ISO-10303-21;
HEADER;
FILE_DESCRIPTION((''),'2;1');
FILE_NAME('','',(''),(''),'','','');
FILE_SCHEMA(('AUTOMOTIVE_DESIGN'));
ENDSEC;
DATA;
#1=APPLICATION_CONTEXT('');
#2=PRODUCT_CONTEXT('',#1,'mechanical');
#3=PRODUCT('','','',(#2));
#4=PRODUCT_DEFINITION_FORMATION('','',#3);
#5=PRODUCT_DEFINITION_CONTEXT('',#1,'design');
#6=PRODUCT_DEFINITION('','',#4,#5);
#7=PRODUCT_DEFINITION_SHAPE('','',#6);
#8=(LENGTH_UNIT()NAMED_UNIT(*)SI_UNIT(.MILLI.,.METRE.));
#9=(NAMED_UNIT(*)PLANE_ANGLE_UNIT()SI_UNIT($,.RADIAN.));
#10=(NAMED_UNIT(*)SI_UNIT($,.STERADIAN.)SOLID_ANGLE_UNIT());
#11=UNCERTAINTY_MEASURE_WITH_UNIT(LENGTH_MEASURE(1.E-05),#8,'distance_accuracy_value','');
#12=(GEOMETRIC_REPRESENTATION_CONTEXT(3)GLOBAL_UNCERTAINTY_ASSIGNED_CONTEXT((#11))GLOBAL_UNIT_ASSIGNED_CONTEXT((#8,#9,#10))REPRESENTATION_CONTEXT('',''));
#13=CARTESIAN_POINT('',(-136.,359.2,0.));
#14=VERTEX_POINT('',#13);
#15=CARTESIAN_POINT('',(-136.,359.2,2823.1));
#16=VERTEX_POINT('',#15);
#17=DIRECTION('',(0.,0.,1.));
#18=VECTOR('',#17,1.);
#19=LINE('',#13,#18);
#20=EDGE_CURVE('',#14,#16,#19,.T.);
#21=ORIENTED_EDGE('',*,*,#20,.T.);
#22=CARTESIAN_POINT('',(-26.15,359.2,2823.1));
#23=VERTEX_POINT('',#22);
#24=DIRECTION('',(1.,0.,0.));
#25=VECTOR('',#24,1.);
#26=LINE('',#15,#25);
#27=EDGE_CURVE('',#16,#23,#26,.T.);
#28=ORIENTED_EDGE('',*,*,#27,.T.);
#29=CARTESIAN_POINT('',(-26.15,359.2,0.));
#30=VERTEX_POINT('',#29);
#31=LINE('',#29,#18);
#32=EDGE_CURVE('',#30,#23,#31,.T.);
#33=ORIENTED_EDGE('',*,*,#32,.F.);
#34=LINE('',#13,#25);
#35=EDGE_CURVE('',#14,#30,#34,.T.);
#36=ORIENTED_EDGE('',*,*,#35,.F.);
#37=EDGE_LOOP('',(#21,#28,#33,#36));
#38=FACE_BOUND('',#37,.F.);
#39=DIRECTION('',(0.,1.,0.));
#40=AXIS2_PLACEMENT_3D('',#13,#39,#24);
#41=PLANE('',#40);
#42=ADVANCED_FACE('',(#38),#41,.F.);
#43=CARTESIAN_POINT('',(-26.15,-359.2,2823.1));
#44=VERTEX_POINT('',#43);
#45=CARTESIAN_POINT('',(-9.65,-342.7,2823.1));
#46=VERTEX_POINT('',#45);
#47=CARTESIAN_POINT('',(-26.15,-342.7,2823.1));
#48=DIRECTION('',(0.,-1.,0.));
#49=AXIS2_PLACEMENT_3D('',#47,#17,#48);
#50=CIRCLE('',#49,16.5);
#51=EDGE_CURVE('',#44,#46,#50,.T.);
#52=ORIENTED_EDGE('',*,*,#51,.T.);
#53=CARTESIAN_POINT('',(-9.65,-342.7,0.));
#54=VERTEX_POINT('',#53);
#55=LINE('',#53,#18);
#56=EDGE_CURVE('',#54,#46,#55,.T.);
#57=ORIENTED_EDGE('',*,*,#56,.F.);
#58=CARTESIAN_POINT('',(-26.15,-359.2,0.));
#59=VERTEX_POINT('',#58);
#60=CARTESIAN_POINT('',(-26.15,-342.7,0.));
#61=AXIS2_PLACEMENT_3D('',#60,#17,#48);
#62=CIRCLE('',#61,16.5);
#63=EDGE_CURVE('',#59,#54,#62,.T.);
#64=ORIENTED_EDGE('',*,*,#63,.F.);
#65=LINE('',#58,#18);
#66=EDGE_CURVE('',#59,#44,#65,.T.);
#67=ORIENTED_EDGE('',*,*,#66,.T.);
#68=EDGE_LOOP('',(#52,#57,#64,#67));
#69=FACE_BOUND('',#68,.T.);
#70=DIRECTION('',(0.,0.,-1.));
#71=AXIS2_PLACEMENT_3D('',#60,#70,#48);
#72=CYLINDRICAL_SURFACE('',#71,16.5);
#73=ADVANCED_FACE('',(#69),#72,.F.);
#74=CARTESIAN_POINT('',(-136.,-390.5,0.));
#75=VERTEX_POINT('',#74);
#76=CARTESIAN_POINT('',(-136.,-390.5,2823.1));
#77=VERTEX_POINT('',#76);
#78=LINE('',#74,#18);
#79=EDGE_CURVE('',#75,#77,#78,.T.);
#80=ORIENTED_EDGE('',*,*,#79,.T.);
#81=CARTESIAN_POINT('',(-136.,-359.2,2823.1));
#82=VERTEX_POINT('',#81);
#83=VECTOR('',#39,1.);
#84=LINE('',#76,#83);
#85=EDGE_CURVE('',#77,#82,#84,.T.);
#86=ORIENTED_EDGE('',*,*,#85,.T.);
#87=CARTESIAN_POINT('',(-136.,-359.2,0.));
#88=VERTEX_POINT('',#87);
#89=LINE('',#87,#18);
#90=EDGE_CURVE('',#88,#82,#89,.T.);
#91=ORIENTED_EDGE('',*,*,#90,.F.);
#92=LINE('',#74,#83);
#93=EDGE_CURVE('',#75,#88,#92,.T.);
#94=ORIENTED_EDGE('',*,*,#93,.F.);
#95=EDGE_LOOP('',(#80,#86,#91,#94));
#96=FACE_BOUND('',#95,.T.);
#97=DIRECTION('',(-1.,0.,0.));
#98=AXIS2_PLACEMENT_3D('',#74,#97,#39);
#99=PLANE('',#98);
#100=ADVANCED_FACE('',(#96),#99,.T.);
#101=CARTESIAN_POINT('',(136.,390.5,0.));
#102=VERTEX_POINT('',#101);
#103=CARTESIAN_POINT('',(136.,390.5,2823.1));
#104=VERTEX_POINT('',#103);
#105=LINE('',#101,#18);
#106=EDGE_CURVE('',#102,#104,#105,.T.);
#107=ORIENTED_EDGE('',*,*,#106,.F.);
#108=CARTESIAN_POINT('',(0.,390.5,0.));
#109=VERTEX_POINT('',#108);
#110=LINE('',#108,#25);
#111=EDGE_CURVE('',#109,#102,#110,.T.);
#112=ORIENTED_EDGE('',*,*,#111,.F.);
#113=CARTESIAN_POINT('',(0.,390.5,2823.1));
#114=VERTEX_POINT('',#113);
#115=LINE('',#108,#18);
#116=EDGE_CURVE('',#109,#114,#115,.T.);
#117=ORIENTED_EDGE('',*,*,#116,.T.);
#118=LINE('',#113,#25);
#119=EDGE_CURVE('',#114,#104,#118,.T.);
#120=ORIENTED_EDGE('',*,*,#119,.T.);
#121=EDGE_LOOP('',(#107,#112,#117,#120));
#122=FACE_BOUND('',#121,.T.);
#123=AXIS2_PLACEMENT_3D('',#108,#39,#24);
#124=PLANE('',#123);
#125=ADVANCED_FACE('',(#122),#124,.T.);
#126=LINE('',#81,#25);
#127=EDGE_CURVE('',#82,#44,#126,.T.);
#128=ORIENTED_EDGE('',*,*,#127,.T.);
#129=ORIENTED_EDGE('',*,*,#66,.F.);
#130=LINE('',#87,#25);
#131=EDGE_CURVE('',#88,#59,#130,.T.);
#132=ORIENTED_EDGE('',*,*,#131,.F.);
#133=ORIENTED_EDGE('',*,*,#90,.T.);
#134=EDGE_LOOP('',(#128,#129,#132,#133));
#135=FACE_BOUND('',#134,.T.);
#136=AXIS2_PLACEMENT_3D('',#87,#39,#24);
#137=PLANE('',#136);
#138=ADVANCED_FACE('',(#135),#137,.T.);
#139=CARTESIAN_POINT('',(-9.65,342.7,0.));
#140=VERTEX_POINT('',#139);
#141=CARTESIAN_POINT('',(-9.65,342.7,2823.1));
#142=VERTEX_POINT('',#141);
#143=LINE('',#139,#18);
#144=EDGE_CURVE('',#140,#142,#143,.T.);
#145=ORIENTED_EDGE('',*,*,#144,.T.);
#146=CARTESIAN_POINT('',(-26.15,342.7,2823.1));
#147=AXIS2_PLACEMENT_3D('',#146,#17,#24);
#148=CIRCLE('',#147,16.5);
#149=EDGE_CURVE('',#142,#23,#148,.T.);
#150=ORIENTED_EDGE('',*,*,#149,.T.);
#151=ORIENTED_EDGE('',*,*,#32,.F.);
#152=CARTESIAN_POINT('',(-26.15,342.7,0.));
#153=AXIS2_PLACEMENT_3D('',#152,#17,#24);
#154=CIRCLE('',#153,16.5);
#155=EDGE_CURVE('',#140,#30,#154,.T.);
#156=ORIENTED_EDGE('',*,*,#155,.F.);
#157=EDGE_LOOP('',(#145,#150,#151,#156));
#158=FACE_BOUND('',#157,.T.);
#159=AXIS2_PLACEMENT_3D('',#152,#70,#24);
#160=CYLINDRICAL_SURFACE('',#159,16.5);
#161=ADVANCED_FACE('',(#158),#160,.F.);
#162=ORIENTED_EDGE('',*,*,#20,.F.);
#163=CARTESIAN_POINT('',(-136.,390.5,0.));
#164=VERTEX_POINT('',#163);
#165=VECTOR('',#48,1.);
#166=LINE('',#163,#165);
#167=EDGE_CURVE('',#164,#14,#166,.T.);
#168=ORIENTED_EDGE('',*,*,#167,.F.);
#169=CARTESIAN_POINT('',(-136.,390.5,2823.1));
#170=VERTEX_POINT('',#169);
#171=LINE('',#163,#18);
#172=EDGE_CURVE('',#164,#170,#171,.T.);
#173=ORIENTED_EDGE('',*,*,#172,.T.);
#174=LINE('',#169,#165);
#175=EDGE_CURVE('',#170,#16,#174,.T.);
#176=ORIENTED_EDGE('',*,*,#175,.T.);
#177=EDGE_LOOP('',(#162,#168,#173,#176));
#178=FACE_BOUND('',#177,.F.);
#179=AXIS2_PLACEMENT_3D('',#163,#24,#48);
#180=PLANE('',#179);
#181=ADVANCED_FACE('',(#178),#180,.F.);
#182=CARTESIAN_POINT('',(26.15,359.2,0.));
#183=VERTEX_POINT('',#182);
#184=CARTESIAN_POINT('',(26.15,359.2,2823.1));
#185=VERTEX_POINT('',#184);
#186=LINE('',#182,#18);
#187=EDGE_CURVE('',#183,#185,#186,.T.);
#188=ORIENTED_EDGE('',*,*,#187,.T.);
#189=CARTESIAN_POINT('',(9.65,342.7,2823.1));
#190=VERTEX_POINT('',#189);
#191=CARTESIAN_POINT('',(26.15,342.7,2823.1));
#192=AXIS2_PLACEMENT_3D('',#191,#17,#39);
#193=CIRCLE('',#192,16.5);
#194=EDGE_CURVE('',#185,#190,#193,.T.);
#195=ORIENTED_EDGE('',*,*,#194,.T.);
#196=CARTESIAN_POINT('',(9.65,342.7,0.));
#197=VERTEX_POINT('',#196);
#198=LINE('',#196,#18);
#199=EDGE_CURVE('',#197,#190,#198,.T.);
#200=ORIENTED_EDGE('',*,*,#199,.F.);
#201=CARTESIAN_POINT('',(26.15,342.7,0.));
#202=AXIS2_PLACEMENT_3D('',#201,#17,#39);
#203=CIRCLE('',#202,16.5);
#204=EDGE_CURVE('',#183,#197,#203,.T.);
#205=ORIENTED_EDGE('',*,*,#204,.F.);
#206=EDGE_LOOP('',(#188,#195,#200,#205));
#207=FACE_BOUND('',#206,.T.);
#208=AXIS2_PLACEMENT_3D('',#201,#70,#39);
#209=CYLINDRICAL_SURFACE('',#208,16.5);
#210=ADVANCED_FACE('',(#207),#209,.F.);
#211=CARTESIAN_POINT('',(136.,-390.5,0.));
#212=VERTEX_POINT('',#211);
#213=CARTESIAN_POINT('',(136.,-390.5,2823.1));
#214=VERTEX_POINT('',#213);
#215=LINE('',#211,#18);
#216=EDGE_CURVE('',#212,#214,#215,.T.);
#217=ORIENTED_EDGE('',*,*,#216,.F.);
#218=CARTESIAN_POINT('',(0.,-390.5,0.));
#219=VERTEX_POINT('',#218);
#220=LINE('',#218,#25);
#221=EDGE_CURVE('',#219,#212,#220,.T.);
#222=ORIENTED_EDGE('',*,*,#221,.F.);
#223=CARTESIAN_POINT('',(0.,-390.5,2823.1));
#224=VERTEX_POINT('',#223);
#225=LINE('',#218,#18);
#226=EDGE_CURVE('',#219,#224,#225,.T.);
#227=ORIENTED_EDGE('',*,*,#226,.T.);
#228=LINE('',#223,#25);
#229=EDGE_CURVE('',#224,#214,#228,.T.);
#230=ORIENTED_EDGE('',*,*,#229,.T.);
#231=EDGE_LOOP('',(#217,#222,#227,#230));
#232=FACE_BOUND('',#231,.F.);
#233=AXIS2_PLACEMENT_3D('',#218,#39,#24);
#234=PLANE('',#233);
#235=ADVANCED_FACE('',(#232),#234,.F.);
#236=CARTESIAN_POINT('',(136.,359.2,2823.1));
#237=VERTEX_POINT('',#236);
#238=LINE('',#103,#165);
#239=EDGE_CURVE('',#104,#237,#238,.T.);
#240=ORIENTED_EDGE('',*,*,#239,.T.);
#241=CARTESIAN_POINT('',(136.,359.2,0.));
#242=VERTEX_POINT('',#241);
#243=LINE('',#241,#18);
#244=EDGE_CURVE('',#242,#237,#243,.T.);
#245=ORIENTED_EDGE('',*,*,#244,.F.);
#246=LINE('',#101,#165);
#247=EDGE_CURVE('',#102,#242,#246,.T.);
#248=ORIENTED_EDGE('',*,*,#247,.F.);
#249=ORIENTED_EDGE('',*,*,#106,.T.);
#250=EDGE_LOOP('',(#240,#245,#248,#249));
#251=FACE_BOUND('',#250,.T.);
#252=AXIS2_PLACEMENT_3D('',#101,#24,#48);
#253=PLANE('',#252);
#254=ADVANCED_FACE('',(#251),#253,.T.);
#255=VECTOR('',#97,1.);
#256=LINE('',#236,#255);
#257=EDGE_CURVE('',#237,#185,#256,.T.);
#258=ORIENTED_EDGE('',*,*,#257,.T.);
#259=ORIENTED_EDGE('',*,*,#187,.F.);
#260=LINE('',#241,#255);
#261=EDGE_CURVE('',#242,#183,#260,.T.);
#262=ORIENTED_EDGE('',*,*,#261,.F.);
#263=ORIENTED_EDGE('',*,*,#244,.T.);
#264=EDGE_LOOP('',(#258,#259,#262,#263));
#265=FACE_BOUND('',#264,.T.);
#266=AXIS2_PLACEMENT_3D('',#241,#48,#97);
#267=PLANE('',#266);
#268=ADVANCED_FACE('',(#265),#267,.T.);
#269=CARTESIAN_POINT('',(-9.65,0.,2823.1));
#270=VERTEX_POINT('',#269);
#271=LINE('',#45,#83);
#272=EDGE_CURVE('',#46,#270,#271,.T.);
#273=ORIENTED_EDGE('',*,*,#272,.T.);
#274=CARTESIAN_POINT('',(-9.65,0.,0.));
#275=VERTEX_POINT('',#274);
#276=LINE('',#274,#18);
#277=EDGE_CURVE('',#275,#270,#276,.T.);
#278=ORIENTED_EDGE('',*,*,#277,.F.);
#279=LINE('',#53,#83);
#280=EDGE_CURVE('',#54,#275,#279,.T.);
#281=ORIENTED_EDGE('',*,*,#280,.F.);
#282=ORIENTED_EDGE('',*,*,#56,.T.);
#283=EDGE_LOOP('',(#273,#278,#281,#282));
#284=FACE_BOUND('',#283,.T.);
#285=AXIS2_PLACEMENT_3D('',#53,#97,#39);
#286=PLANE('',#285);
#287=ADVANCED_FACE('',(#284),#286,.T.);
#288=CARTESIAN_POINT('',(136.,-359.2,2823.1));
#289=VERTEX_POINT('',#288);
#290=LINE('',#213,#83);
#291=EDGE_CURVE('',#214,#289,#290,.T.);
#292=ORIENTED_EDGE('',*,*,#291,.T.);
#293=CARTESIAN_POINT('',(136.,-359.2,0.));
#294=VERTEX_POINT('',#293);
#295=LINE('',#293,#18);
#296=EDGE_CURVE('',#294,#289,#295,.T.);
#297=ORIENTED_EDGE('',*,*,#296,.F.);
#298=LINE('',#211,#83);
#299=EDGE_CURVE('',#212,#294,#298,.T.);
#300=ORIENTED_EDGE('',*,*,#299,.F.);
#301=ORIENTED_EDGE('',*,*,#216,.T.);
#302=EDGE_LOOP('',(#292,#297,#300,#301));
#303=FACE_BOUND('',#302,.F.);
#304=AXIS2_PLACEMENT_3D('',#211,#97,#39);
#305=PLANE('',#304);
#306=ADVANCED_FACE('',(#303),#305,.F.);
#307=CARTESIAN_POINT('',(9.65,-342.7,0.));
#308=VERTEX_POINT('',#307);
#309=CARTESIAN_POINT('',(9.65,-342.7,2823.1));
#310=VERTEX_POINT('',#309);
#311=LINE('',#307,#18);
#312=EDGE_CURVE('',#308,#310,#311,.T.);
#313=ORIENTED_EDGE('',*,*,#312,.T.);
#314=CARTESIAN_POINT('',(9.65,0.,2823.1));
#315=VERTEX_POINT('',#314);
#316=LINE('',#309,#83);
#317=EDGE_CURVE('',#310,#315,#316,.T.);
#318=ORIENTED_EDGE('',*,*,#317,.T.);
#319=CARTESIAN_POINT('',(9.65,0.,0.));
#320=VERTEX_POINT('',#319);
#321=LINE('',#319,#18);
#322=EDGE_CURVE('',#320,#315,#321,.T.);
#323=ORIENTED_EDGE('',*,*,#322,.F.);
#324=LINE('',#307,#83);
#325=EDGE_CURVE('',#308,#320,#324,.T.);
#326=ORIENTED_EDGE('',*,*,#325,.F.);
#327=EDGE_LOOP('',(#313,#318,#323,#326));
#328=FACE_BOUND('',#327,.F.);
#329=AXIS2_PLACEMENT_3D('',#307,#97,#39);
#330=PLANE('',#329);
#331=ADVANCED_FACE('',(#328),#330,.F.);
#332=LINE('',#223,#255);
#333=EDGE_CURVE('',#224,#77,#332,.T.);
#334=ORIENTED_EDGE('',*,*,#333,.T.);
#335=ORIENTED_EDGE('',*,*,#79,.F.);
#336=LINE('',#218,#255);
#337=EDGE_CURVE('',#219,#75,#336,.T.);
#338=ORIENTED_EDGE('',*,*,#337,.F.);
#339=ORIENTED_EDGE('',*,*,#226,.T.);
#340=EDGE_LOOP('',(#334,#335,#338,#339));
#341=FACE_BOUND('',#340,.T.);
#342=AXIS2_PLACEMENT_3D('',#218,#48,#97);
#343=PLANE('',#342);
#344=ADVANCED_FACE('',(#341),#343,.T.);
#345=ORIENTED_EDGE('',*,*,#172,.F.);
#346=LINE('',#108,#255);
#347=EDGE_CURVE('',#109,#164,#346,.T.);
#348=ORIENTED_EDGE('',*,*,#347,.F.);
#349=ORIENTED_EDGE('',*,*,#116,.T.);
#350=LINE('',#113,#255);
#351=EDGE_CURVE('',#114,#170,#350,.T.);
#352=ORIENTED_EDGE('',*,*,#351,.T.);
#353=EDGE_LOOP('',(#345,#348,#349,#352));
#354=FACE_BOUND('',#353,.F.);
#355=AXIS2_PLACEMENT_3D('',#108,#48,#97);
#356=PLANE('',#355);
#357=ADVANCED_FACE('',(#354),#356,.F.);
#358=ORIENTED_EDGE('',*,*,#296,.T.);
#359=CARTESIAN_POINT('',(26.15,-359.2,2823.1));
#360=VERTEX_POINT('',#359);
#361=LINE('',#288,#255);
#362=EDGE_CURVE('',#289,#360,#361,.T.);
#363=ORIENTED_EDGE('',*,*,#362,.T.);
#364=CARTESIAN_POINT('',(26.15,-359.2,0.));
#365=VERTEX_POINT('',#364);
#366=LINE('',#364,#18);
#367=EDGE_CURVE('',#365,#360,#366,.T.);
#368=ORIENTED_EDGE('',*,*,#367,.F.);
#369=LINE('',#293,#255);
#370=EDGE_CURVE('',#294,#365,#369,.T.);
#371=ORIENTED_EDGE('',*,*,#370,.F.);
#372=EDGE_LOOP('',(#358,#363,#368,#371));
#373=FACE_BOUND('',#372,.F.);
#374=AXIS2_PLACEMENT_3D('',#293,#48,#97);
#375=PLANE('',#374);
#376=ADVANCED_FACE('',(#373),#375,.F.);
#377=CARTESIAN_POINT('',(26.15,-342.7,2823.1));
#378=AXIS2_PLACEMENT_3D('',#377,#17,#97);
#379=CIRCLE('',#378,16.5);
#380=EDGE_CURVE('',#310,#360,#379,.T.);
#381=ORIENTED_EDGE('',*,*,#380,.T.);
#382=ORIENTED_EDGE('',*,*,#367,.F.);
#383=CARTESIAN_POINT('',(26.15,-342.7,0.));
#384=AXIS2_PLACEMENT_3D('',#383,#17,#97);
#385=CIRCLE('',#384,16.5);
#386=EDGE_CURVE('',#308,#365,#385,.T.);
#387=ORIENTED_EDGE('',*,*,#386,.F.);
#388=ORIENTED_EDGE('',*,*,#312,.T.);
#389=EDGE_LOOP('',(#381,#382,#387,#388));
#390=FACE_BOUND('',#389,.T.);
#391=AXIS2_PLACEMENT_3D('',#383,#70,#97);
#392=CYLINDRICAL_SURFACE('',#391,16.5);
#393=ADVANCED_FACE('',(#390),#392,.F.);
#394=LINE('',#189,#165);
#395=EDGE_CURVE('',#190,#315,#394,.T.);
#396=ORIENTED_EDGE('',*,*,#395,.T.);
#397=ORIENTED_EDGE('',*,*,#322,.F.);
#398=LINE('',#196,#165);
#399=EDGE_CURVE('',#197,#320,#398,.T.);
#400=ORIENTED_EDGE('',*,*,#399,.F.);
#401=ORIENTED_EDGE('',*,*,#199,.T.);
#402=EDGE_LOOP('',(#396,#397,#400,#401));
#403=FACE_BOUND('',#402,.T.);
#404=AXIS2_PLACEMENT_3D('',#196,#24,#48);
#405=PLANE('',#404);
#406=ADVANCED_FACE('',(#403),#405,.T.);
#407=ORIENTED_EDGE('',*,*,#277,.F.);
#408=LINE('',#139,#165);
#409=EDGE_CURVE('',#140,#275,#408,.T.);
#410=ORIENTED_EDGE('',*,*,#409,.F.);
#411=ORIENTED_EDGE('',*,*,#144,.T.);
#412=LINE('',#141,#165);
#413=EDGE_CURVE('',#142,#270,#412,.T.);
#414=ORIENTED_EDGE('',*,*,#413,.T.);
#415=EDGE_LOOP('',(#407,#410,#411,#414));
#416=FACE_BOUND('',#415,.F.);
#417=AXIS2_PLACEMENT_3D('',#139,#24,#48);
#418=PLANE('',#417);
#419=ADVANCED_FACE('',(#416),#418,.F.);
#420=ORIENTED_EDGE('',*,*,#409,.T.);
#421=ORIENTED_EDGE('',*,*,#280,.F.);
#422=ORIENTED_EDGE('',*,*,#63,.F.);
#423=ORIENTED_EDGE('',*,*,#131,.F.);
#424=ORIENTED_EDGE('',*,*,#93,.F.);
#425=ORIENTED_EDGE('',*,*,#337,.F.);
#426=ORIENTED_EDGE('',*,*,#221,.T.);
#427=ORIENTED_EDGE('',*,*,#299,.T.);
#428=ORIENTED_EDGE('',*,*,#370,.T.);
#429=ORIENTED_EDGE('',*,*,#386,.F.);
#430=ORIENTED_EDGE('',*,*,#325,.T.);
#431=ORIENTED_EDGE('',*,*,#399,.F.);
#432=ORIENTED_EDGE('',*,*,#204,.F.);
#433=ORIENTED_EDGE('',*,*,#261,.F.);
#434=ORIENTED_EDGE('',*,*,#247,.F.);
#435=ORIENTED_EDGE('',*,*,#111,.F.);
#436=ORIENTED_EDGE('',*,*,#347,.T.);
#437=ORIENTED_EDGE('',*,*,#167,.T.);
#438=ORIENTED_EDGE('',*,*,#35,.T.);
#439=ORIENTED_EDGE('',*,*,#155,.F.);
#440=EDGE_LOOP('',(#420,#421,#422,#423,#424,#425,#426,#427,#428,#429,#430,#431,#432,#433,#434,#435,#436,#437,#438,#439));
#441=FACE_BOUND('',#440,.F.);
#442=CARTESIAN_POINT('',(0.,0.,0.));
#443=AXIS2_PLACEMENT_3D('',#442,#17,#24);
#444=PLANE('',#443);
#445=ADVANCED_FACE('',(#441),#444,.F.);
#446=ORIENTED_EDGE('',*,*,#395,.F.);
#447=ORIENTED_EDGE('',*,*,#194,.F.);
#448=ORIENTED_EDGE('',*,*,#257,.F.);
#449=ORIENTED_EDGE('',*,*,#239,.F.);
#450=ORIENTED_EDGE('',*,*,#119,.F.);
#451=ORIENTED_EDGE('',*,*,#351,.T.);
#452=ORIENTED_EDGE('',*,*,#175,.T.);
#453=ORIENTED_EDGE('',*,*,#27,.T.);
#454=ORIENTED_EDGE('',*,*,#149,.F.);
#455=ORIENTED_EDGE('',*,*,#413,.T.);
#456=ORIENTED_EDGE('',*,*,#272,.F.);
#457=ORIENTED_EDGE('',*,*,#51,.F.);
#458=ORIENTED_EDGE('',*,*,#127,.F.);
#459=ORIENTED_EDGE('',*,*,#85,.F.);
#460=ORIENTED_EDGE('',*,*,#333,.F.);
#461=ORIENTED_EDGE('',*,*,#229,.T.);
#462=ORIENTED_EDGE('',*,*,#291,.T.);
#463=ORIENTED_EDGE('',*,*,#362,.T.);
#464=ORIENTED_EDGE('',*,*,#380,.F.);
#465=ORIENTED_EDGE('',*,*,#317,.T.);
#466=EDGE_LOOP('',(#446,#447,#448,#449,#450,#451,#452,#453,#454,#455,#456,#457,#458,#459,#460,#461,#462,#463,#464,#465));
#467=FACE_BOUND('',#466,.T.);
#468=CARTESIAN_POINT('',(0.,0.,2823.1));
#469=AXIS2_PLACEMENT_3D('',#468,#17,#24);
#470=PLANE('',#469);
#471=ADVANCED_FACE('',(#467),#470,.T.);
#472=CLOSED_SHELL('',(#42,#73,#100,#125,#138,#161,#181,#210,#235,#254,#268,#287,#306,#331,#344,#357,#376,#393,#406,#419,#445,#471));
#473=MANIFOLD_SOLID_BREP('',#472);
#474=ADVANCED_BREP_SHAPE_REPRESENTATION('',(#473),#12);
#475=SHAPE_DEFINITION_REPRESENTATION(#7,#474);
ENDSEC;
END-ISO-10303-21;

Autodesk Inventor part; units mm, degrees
ref_plane "YZ Plane" through (0, 0, 0) normal (1, 0, 0) x (0, 1, 0)
ref_plane "Start plane" through (0, 0, 0) normal (0, 0, 1) x (1, 0, 0)
ref_plane "End plane" through (0, 0, 2823.1) normal (0, 0, 1) x (1, 0, 0)
sketch "Sketch" plane through (0, 0, 0) normal (0, 0, 1) x (1, 0, 0)
  line L0 (-136, -390.5) -> (-136, -359.2)
  line L1 (-136, -359.2) -> (-26.15, -359.2)
  line L2 (-9.65, -342.7) -> (-9.65, 0)
  line L3 (-9.65, 0) -> (0, 0) construction
  line L4 (0, 0) -> (0, -390.5) construction
  line L5 (0, -390.5) -> (-136, -390.5)
  line L6 (-60, 0) -> (80, 0) construction
  line L7 (0, -60) -> (0, 80) construction
  line L8 (136, -390.5) -> (136, -359.2)
  line L9 (136, -359.2) -> (26.15, -359.2)
  line L10 (9.65, -342.7) -> (9.65, 0)
  line L11 (9.65, 0) -> (0, 0) construction
  line L12 (0, -390.5) -> (136, -390.5)
  line L13 (-136, 390.5) -> (-136, 359.2)
  line L14 (-136, 359.2) -> (-26.15, 359.2)
  line L15 (-9.65, 342.7) -> (-9.65, 0)
  line L16 (0, 390.5) -> (-136, 390.5)
  line L17 (136, 390.5) -> (136, 359.2)
  line L18 (136, 359.2) -> (26.15, 359.2)
  line L19 (0, 390.5) -> (136, 390.5)
  line L20 (9.65, 342.7) -> (9.65, 0)
  arc A0 (-9.65, 342.7) -> (-26.15, 359.2) centre (-26.15, 342.7) ccw
  arc A1 (26.15, 359.2) -> (9.65, 342.7) centre (26.15, 342.7) ccw
  arc A2 (9.65, -342.7) -> (26.15, -359.2) centre (26.15, -342.7) ccw
  arc A3 (-26.15, -359.2) -> (-9.65, -342.7) centre (-26.15, -342.7) ccw
  line L21 (0, 108) -> (0, -88) construction
  line L22 (-88, 0) -> (108, 0) construction
  point P0 (-9.65, -359.2)
  point P1 (9.65, -359.2)
  point P2 (-9.65, 359.2)
  point P3 (9.65, 359.2)
  dimension "d1" = 390.5
  dimension "d2" = 31.3
  dimension "d3" = 136
  dimension "d4" = 9.65
  dimension "d10" = 16.5
extrude "Body" add sketch "Sketch" along normal up to surface (2823.1 mm away) from surface at 0
sketch "Sketch4" plane through (0, 0, 0) normal (0, 0, 1) x (1, 0, 0)
  line L0 (0, 0) -> (10, 0)
ref_plane "Work Plane3" through (0, 0, 0) normal (0, -1, 0) x (1, 0, 0)
sketch "Sketch5" plane through (0, 0, 0) normal (0, -1, 0) x (1, 0, 0)
  line L0 (-2, 0) -> (12, 0) projected
  line L1 (-2, 2823.1) -> (12, 2823.1) projected
  dimension "d14" = 2823.1
equation "\"d1\" = 0.5 * G_H"
equation "\"d2\" = G_T1"
equation "\"d3\" = 0.5 * G_W"
equation "\"d4\" = 0.5 * G_T"
equation "\"d10\" = G_IR"
equation "\"d5\" = G_L"
equation "\"G_W\" = 272"
equation "\"G_H\" = 781"
equation "\"G_T\" = 19.3"
equation "\"G_T1\" = 31.3"
equation "\"G_IR\" = 16.5"
equation "\"G_L\" = d14"
equation "\"G_OFFSET_START\" = 0"
equation "\"G_OFFSET_END\" = 0"
equation "\"d12\" = G_OFFSET_END + B_L"
equation "\"B_L\" = 2823.1"
properties part number "AS 3679-1990 - 760 UB - 244 - 2823.1" material "Steel, Mild"
